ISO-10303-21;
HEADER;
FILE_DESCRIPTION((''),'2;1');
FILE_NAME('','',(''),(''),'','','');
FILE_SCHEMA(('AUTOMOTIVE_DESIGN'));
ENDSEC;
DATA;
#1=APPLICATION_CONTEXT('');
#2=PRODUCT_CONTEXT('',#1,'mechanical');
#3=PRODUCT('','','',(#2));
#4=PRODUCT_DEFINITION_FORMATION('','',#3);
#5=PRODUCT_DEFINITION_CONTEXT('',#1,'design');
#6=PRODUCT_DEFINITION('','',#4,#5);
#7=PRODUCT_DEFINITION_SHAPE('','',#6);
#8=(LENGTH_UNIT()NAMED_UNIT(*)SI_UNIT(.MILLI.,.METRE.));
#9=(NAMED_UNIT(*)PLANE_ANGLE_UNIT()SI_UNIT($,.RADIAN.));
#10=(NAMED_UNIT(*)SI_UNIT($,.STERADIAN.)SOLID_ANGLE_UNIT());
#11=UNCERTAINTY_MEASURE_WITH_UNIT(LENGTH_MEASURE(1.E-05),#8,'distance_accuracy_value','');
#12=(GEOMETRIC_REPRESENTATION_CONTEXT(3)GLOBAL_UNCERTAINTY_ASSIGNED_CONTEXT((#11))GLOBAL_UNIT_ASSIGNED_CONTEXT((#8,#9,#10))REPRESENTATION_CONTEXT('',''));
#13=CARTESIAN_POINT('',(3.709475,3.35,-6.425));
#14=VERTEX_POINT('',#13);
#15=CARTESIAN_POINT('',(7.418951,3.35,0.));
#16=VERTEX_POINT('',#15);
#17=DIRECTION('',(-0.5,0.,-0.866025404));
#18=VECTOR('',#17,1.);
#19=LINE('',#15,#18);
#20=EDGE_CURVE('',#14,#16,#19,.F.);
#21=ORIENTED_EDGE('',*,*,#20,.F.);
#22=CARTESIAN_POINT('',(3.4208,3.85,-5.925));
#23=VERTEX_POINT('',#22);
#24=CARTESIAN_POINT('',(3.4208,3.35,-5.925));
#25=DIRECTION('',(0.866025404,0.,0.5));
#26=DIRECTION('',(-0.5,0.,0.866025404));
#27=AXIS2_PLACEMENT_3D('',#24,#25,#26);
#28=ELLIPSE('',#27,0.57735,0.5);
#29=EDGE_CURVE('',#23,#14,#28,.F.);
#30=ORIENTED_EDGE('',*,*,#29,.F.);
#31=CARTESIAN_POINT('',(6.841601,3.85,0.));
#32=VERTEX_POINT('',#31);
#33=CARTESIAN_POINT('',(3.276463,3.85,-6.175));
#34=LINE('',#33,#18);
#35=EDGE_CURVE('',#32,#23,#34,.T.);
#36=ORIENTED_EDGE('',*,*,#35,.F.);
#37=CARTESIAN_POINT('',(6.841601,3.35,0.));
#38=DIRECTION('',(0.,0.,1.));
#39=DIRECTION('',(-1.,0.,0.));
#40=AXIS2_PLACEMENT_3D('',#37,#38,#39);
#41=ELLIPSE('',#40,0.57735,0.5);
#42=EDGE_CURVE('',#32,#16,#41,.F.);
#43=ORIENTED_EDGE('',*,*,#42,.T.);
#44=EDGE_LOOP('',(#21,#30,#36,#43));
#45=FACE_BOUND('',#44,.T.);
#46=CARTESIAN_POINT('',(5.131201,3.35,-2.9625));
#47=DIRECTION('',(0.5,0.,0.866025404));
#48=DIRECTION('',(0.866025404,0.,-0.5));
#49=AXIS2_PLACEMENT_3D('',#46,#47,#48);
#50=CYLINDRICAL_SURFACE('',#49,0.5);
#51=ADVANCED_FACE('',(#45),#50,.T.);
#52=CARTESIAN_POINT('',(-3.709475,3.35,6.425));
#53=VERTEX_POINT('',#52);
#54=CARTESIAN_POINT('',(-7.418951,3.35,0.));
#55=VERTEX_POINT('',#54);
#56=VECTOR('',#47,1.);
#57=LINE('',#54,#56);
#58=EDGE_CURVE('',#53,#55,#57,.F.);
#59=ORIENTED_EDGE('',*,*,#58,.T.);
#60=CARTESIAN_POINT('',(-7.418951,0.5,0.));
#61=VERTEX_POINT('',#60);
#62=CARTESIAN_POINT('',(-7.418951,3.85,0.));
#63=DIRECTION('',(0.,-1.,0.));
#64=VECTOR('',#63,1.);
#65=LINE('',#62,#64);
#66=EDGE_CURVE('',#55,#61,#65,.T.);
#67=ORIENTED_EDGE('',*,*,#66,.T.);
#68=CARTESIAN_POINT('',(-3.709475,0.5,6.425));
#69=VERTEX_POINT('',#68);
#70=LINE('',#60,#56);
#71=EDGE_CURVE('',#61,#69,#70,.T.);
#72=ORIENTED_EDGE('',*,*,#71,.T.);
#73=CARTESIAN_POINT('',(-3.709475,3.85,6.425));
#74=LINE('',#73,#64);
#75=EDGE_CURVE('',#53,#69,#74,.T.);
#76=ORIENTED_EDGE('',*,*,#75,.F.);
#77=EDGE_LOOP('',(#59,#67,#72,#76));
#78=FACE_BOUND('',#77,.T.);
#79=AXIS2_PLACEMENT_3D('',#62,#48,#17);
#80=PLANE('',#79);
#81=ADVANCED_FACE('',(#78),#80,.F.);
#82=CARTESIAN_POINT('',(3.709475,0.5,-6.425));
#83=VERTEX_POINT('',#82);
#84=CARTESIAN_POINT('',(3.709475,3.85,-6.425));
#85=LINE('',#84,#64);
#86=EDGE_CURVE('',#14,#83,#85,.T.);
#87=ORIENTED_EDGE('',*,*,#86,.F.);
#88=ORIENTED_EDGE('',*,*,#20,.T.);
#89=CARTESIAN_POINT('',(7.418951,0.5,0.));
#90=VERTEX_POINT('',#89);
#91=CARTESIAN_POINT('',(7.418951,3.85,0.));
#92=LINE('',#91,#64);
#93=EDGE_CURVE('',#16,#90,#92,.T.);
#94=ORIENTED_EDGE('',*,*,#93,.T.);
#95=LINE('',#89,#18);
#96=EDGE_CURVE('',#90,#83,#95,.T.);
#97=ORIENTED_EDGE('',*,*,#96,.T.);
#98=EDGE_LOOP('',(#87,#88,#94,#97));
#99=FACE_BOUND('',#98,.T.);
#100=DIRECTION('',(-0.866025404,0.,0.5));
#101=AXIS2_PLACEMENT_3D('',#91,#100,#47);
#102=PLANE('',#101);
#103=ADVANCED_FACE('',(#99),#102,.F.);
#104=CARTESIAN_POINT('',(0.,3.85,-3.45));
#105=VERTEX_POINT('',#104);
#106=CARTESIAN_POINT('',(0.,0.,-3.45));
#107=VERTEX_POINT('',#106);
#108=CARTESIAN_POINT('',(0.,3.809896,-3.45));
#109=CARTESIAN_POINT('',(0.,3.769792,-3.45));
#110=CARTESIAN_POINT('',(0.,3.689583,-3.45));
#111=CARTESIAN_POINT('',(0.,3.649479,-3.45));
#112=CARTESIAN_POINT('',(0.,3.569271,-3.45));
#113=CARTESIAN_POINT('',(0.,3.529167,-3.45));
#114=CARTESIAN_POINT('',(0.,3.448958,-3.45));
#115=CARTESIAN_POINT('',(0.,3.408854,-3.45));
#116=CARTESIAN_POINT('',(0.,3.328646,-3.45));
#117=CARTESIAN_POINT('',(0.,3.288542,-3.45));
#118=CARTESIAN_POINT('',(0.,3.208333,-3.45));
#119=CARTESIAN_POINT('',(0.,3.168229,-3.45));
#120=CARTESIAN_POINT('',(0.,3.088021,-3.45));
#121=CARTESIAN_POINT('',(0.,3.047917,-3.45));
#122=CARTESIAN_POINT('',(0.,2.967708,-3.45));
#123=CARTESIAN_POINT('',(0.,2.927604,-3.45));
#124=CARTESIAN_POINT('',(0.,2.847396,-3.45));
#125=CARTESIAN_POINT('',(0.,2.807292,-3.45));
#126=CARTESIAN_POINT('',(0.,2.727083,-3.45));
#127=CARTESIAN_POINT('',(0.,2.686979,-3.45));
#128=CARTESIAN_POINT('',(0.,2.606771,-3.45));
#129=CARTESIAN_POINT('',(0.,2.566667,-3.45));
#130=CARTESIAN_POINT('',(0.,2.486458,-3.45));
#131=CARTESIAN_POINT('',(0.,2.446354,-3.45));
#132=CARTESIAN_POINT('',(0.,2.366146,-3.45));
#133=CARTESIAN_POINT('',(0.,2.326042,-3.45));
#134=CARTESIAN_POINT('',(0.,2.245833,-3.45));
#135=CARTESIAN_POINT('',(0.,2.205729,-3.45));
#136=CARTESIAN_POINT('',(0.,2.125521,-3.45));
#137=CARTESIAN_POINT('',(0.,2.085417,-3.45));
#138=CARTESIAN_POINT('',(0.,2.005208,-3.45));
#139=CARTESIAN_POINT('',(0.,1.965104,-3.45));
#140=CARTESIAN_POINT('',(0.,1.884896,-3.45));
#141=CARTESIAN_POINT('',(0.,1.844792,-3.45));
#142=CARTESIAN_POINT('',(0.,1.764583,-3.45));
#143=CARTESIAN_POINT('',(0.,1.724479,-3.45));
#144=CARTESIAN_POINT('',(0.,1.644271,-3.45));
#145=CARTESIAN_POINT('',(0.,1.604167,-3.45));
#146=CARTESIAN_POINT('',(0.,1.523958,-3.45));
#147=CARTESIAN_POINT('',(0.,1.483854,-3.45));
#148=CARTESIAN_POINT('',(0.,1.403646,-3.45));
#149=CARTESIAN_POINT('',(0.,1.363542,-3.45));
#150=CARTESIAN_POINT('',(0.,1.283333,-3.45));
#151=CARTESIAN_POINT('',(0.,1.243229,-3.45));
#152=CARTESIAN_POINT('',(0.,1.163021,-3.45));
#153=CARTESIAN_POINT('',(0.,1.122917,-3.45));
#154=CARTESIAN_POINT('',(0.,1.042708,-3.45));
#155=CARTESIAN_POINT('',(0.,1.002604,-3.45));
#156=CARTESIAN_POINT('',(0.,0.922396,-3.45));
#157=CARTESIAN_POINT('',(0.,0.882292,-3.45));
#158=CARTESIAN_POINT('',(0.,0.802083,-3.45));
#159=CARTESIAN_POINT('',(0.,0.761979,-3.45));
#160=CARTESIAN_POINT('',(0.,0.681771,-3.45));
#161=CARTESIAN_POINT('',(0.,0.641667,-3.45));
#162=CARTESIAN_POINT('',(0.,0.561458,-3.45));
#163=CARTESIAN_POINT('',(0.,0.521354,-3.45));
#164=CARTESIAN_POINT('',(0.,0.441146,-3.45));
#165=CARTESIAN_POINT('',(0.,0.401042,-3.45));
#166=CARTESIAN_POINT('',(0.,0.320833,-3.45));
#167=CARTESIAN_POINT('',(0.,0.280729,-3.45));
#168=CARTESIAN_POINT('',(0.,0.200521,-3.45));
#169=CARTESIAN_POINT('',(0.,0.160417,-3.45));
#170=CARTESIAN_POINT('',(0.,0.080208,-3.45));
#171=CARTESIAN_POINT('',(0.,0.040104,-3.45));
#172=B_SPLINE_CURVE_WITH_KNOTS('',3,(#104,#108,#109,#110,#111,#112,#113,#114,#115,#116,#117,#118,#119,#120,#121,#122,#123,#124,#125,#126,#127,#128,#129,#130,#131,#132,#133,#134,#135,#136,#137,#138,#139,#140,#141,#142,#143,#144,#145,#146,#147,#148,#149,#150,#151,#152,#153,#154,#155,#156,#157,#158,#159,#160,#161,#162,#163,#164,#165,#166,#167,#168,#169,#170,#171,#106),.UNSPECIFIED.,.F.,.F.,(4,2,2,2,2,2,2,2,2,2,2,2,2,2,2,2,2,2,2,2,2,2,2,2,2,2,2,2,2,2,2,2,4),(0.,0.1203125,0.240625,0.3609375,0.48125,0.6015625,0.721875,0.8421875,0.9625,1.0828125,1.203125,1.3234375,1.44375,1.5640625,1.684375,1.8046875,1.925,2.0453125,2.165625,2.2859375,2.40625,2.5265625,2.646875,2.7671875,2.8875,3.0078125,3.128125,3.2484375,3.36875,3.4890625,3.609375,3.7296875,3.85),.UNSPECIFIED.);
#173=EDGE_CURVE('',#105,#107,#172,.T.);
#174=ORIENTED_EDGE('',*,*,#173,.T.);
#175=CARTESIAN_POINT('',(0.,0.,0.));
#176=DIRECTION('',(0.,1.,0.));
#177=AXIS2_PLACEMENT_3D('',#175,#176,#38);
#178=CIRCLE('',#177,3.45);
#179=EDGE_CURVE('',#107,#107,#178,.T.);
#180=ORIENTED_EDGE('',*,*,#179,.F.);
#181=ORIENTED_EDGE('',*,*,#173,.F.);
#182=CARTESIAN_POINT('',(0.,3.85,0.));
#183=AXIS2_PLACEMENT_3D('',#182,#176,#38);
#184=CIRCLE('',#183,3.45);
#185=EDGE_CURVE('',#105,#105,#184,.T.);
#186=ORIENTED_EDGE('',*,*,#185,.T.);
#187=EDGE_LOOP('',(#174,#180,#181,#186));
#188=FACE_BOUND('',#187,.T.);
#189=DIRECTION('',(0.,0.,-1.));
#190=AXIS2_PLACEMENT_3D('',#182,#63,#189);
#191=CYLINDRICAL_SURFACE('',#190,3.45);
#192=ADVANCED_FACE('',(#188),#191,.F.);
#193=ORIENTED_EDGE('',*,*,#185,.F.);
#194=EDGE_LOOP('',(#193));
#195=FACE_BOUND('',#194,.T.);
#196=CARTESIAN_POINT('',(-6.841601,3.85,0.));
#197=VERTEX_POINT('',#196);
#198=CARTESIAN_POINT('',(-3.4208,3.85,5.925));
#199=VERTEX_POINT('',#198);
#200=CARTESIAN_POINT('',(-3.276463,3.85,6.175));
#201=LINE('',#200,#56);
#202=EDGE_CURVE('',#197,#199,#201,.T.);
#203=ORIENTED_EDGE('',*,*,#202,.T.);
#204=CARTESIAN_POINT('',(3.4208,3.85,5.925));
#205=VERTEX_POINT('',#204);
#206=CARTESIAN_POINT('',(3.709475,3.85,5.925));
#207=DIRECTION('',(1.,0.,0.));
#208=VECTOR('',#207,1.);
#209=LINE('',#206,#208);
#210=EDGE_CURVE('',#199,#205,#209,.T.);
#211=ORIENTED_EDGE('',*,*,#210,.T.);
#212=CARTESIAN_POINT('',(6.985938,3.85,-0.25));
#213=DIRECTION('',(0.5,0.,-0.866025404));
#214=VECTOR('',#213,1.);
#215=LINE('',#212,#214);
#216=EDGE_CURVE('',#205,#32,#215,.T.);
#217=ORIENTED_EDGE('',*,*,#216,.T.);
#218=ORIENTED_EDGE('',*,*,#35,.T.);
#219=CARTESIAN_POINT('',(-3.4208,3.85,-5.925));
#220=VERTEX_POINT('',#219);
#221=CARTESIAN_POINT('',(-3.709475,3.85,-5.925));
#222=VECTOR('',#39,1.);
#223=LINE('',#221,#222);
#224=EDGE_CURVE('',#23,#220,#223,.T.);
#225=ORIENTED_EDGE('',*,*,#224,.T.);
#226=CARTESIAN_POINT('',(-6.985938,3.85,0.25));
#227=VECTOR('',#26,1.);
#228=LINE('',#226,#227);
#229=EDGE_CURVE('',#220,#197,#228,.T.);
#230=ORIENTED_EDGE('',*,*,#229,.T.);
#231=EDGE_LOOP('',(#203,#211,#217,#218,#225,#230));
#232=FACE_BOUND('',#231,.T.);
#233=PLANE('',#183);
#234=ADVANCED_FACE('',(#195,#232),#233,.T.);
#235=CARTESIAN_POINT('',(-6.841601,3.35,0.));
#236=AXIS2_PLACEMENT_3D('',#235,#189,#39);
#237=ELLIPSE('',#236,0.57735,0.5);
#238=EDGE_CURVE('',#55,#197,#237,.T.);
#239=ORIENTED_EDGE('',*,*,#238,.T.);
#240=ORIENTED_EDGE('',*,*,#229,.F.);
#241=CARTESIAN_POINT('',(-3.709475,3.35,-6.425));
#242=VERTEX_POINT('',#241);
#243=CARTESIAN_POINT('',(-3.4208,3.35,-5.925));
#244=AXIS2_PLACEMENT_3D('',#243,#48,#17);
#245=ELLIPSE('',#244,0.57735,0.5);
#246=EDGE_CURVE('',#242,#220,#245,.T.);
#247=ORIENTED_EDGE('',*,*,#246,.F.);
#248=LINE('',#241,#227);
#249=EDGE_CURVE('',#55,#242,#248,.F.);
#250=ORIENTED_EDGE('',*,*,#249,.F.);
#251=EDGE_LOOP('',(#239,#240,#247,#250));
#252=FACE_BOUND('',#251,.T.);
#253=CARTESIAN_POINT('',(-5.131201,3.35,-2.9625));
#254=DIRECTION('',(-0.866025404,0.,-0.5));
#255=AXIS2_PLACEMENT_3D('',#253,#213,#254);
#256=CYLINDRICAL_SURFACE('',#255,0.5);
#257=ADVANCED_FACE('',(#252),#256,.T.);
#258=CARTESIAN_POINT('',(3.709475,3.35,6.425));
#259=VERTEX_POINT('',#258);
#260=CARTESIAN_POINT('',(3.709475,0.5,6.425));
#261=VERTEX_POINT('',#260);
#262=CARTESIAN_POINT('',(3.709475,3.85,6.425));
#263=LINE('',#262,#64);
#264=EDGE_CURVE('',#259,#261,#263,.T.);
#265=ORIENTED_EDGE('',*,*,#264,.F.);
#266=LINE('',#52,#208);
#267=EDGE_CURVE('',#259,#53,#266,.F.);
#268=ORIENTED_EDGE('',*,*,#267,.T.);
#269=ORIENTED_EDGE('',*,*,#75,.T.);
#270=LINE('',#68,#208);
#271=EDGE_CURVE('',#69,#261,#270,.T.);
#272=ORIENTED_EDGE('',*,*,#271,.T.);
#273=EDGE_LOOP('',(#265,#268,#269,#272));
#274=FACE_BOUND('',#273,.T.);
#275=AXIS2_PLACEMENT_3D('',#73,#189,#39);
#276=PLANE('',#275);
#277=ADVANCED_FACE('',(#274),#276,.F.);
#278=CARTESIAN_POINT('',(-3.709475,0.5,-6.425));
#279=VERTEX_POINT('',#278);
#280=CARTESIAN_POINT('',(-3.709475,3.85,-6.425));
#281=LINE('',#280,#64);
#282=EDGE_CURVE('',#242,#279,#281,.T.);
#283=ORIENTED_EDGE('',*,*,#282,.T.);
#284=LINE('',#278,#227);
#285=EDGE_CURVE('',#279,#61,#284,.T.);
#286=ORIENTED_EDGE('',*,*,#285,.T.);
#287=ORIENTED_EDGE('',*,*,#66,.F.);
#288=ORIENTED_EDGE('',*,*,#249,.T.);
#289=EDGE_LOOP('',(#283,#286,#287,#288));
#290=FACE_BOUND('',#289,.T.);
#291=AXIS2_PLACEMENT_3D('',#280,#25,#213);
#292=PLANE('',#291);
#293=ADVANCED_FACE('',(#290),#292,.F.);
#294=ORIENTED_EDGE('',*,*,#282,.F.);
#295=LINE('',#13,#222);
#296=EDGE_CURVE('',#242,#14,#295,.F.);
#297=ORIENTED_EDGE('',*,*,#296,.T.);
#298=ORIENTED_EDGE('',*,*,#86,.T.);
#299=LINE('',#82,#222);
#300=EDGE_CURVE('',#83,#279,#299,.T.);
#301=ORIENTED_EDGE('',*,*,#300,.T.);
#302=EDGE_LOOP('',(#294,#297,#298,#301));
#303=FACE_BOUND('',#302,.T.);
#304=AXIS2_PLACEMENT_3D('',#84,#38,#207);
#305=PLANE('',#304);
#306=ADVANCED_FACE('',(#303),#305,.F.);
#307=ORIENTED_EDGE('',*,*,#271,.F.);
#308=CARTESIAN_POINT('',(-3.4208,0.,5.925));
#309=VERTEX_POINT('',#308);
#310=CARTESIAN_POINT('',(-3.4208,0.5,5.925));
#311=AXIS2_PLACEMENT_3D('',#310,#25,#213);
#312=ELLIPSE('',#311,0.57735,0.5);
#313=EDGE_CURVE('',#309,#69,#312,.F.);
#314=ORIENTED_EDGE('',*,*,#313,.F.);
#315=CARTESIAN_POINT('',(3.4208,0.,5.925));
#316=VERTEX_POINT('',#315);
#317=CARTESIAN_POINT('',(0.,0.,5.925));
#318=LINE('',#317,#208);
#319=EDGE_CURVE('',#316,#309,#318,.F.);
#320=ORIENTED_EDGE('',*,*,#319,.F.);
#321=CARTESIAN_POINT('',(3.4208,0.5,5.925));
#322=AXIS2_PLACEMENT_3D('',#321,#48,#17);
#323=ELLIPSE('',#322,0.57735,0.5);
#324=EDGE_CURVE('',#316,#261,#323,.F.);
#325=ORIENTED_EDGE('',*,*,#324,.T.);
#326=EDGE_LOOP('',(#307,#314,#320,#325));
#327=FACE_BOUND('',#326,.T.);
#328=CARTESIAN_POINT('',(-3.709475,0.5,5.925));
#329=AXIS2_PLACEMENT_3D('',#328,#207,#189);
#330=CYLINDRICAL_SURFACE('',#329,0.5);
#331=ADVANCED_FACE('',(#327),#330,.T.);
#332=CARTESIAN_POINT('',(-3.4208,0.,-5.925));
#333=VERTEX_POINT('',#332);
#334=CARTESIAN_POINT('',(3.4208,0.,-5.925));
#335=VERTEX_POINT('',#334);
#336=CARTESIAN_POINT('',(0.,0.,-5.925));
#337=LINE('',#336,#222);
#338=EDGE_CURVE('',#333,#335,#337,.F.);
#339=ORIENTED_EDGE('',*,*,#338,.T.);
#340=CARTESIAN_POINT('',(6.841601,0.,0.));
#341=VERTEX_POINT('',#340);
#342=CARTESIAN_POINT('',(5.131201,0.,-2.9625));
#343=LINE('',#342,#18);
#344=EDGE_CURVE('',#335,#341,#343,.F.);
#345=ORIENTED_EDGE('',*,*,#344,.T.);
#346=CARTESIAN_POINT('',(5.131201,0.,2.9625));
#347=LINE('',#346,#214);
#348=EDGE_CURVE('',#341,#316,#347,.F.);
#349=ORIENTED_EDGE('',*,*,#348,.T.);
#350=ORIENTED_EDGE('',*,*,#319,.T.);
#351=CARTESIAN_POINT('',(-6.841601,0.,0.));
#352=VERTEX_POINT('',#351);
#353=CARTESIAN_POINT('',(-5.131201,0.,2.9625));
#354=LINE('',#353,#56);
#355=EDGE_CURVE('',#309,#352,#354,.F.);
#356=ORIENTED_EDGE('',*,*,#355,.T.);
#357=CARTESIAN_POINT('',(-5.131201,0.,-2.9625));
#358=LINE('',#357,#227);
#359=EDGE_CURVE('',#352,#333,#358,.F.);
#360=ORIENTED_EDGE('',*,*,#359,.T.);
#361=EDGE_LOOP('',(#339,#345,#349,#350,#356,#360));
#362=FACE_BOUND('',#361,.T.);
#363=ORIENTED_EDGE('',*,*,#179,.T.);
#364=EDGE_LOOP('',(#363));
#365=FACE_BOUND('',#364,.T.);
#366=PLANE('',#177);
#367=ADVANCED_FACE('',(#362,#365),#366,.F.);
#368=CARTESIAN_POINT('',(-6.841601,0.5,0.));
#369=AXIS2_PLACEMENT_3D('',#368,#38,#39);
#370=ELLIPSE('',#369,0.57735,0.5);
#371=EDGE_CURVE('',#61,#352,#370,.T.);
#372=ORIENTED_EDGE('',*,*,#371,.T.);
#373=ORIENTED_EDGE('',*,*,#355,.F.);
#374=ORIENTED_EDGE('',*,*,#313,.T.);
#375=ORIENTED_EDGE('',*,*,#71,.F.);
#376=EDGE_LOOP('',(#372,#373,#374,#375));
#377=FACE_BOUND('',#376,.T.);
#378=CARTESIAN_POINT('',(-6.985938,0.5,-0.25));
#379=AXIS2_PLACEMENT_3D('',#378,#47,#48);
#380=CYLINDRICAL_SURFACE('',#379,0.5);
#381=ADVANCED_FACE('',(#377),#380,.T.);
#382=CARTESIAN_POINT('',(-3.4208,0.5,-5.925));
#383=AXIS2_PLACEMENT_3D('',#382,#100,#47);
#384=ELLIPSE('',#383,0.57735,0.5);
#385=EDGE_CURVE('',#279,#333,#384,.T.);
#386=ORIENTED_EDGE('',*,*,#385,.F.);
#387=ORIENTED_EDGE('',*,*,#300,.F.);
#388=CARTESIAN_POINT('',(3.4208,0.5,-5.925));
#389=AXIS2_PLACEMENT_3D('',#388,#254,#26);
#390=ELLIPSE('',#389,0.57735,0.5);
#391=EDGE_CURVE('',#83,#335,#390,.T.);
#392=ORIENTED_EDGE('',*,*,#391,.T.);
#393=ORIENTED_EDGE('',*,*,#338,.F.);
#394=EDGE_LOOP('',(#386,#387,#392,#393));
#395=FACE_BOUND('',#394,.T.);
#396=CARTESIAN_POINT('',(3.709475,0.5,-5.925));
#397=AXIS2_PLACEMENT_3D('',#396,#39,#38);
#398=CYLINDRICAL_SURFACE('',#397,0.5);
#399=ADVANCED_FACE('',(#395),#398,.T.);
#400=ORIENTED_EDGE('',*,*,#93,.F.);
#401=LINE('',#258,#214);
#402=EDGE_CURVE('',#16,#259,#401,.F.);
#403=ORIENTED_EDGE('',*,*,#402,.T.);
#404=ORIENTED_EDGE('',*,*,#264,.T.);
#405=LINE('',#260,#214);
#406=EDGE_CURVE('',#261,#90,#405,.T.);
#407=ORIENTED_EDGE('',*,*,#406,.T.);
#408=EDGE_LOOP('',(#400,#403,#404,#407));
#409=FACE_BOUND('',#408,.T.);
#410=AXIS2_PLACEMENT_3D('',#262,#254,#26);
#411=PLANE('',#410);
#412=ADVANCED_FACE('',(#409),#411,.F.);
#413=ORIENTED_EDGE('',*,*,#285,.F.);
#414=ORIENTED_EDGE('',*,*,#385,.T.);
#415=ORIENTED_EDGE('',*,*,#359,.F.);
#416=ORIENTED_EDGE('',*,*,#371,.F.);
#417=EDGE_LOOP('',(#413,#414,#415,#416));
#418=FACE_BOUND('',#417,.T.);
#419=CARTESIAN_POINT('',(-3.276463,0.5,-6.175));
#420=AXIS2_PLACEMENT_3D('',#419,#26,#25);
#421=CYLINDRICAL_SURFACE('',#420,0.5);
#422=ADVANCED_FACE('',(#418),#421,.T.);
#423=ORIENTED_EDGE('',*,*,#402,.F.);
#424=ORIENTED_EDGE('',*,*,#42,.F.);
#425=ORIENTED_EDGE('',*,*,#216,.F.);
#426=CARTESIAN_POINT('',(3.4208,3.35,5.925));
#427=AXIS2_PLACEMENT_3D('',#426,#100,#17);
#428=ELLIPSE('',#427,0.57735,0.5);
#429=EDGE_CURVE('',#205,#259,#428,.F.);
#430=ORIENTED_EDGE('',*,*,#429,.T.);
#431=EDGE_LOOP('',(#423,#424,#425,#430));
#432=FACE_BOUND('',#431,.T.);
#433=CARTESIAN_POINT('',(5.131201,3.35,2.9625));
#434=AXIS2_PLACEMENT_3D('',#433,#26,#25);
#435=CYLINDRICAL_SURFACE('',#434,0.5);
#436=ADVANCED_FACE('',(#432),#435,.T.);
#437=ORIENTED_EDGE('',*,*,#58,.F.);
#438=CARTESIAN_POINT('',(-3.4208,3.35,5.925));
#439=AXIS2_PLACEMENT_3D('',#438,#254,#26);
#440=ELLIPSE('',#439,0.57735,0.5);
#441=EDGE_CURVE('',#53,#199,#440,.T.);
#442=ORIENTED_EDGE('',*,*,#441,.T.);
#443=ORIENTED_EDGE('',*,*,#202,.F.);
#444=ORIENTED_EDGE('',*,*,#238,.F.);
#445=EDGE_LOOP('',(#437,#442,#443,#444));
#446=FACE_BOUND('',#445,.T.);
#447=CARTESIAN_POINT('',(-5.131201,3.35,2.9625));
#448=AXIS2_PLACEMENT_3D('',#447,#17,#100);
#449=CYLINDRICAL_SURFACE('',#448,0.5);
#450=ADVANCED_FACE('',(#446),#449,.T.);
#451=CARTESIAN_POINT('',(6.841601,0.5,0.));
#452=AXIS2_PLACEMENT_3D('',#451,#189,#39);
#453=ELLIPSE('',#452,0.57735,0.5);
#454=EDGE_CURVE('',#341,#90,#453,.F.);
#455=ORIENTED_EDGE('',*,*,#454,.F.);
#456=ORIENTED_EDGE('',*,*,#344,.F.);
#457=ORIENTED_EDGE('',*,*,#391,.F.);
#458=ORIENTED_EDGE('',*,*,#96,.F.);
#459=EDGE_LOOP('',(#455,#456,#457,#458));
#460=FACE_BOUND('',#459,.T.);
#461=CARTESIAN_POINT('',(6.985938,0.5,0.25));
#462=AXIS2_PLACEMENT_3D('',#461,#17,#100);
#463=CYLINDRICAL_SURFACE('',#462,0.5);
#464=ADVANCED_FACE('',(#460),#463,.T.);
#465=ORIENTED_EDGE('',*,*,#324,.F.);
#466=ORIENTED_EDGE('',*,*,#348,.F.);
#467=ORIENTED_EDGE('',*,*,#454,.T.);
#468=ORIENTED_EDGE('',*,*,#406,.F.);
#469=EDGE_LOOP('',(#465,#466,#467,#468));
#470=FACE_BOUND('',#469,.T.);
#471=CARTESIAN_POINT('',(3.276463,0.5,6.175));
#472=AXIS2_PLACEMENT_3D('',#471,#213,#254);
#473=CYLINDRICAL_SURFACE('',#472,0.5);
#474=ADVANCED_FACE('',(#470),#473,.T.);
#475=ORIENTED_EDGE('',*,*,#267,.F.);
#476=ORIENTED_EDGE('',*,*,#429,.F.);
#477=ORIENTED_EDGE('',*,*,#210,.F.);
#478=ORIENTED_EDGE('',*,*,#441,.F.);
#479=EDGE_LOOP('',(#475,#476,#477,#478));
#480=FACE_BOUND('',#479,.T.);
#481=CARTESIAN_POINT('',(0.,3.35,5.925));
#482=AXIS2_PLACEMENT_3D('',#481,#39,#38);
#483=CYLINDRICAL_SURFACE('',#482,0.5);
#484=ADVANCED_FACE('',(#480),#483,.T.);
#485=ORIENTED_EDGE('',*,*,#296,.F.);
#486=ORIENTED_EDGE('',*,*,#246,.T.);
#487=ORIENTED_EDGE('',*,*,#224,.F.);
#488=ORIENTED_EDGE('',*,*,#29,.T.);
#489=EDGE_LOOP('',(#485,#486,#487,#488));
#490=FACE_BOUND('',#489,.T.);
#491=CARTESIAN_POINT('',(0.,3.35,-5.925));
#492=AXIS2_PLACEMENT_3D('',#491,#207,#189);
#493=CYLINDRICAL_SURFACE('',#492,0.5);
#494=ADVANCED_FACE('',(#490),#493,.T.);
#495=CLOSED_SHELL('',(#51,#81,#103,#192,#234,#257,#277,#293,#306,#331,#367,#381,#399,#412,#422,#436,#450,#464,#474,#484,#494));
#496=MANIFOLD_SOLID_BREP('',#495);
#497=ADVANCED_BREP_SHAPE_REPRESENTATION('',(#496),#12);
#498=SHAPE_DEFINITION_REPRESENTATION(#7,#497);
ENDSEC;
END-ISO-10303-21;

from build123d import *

# Parameters (mm, degrees)
SKETCH1_R           = 3.45
BOSS_EXTRUDE1_DEPTH = 3.85
FILLET1_R           = 0.5


with BuildPart() as part:
    # Sketch1 → Boss-Extrude1 (new body)
    with BuildSketch(Plane(origin=(0, 0, 0), x_dir=(1, 0, 0), z_dir=(0, 1, 0))):
        Polygon((7.418950959, 0), (3.70947548, 6.425), (-3.70947548, 6.425), (-7.418950959, 0), (-3.70947548, -6.425), (3.70947548, -6.425), align=None)
        with Locations(Location((0, 0, 0), (0, 0, 90))):
            Circle(SKETCH1_R, mode=Mode.SUBTRACT)
    extrude(amount=BOSS_EXTRUDE1_DEPTH)

    # Fillet1
    fillet1_edges = [part.edges().sort_by_distance(p)[0] for p in [
        (0, 3.85, -6.425),
        (-5.564213219, 3.85, -3.2125),
        (-5.564213219, 3.85, 3.2125),
        (0, 3.85, 6.425),
        (5.564213219, 3.85, 3.2125),
        (0, 0, 6.425),
        (-5.564213219, 0, 3.2125),
        (-5.564213219, 0, -3.2125),
        (0, 0, -6.425),
        (5.564213219, 0, -3.2125),
        (5.564213219, 0, 3.2125),
        (5.564213219, 3.85, -3.2125),
    ]]
    fillet(fillet1_edges, radius=FILLET1_R)


solid = part.part
